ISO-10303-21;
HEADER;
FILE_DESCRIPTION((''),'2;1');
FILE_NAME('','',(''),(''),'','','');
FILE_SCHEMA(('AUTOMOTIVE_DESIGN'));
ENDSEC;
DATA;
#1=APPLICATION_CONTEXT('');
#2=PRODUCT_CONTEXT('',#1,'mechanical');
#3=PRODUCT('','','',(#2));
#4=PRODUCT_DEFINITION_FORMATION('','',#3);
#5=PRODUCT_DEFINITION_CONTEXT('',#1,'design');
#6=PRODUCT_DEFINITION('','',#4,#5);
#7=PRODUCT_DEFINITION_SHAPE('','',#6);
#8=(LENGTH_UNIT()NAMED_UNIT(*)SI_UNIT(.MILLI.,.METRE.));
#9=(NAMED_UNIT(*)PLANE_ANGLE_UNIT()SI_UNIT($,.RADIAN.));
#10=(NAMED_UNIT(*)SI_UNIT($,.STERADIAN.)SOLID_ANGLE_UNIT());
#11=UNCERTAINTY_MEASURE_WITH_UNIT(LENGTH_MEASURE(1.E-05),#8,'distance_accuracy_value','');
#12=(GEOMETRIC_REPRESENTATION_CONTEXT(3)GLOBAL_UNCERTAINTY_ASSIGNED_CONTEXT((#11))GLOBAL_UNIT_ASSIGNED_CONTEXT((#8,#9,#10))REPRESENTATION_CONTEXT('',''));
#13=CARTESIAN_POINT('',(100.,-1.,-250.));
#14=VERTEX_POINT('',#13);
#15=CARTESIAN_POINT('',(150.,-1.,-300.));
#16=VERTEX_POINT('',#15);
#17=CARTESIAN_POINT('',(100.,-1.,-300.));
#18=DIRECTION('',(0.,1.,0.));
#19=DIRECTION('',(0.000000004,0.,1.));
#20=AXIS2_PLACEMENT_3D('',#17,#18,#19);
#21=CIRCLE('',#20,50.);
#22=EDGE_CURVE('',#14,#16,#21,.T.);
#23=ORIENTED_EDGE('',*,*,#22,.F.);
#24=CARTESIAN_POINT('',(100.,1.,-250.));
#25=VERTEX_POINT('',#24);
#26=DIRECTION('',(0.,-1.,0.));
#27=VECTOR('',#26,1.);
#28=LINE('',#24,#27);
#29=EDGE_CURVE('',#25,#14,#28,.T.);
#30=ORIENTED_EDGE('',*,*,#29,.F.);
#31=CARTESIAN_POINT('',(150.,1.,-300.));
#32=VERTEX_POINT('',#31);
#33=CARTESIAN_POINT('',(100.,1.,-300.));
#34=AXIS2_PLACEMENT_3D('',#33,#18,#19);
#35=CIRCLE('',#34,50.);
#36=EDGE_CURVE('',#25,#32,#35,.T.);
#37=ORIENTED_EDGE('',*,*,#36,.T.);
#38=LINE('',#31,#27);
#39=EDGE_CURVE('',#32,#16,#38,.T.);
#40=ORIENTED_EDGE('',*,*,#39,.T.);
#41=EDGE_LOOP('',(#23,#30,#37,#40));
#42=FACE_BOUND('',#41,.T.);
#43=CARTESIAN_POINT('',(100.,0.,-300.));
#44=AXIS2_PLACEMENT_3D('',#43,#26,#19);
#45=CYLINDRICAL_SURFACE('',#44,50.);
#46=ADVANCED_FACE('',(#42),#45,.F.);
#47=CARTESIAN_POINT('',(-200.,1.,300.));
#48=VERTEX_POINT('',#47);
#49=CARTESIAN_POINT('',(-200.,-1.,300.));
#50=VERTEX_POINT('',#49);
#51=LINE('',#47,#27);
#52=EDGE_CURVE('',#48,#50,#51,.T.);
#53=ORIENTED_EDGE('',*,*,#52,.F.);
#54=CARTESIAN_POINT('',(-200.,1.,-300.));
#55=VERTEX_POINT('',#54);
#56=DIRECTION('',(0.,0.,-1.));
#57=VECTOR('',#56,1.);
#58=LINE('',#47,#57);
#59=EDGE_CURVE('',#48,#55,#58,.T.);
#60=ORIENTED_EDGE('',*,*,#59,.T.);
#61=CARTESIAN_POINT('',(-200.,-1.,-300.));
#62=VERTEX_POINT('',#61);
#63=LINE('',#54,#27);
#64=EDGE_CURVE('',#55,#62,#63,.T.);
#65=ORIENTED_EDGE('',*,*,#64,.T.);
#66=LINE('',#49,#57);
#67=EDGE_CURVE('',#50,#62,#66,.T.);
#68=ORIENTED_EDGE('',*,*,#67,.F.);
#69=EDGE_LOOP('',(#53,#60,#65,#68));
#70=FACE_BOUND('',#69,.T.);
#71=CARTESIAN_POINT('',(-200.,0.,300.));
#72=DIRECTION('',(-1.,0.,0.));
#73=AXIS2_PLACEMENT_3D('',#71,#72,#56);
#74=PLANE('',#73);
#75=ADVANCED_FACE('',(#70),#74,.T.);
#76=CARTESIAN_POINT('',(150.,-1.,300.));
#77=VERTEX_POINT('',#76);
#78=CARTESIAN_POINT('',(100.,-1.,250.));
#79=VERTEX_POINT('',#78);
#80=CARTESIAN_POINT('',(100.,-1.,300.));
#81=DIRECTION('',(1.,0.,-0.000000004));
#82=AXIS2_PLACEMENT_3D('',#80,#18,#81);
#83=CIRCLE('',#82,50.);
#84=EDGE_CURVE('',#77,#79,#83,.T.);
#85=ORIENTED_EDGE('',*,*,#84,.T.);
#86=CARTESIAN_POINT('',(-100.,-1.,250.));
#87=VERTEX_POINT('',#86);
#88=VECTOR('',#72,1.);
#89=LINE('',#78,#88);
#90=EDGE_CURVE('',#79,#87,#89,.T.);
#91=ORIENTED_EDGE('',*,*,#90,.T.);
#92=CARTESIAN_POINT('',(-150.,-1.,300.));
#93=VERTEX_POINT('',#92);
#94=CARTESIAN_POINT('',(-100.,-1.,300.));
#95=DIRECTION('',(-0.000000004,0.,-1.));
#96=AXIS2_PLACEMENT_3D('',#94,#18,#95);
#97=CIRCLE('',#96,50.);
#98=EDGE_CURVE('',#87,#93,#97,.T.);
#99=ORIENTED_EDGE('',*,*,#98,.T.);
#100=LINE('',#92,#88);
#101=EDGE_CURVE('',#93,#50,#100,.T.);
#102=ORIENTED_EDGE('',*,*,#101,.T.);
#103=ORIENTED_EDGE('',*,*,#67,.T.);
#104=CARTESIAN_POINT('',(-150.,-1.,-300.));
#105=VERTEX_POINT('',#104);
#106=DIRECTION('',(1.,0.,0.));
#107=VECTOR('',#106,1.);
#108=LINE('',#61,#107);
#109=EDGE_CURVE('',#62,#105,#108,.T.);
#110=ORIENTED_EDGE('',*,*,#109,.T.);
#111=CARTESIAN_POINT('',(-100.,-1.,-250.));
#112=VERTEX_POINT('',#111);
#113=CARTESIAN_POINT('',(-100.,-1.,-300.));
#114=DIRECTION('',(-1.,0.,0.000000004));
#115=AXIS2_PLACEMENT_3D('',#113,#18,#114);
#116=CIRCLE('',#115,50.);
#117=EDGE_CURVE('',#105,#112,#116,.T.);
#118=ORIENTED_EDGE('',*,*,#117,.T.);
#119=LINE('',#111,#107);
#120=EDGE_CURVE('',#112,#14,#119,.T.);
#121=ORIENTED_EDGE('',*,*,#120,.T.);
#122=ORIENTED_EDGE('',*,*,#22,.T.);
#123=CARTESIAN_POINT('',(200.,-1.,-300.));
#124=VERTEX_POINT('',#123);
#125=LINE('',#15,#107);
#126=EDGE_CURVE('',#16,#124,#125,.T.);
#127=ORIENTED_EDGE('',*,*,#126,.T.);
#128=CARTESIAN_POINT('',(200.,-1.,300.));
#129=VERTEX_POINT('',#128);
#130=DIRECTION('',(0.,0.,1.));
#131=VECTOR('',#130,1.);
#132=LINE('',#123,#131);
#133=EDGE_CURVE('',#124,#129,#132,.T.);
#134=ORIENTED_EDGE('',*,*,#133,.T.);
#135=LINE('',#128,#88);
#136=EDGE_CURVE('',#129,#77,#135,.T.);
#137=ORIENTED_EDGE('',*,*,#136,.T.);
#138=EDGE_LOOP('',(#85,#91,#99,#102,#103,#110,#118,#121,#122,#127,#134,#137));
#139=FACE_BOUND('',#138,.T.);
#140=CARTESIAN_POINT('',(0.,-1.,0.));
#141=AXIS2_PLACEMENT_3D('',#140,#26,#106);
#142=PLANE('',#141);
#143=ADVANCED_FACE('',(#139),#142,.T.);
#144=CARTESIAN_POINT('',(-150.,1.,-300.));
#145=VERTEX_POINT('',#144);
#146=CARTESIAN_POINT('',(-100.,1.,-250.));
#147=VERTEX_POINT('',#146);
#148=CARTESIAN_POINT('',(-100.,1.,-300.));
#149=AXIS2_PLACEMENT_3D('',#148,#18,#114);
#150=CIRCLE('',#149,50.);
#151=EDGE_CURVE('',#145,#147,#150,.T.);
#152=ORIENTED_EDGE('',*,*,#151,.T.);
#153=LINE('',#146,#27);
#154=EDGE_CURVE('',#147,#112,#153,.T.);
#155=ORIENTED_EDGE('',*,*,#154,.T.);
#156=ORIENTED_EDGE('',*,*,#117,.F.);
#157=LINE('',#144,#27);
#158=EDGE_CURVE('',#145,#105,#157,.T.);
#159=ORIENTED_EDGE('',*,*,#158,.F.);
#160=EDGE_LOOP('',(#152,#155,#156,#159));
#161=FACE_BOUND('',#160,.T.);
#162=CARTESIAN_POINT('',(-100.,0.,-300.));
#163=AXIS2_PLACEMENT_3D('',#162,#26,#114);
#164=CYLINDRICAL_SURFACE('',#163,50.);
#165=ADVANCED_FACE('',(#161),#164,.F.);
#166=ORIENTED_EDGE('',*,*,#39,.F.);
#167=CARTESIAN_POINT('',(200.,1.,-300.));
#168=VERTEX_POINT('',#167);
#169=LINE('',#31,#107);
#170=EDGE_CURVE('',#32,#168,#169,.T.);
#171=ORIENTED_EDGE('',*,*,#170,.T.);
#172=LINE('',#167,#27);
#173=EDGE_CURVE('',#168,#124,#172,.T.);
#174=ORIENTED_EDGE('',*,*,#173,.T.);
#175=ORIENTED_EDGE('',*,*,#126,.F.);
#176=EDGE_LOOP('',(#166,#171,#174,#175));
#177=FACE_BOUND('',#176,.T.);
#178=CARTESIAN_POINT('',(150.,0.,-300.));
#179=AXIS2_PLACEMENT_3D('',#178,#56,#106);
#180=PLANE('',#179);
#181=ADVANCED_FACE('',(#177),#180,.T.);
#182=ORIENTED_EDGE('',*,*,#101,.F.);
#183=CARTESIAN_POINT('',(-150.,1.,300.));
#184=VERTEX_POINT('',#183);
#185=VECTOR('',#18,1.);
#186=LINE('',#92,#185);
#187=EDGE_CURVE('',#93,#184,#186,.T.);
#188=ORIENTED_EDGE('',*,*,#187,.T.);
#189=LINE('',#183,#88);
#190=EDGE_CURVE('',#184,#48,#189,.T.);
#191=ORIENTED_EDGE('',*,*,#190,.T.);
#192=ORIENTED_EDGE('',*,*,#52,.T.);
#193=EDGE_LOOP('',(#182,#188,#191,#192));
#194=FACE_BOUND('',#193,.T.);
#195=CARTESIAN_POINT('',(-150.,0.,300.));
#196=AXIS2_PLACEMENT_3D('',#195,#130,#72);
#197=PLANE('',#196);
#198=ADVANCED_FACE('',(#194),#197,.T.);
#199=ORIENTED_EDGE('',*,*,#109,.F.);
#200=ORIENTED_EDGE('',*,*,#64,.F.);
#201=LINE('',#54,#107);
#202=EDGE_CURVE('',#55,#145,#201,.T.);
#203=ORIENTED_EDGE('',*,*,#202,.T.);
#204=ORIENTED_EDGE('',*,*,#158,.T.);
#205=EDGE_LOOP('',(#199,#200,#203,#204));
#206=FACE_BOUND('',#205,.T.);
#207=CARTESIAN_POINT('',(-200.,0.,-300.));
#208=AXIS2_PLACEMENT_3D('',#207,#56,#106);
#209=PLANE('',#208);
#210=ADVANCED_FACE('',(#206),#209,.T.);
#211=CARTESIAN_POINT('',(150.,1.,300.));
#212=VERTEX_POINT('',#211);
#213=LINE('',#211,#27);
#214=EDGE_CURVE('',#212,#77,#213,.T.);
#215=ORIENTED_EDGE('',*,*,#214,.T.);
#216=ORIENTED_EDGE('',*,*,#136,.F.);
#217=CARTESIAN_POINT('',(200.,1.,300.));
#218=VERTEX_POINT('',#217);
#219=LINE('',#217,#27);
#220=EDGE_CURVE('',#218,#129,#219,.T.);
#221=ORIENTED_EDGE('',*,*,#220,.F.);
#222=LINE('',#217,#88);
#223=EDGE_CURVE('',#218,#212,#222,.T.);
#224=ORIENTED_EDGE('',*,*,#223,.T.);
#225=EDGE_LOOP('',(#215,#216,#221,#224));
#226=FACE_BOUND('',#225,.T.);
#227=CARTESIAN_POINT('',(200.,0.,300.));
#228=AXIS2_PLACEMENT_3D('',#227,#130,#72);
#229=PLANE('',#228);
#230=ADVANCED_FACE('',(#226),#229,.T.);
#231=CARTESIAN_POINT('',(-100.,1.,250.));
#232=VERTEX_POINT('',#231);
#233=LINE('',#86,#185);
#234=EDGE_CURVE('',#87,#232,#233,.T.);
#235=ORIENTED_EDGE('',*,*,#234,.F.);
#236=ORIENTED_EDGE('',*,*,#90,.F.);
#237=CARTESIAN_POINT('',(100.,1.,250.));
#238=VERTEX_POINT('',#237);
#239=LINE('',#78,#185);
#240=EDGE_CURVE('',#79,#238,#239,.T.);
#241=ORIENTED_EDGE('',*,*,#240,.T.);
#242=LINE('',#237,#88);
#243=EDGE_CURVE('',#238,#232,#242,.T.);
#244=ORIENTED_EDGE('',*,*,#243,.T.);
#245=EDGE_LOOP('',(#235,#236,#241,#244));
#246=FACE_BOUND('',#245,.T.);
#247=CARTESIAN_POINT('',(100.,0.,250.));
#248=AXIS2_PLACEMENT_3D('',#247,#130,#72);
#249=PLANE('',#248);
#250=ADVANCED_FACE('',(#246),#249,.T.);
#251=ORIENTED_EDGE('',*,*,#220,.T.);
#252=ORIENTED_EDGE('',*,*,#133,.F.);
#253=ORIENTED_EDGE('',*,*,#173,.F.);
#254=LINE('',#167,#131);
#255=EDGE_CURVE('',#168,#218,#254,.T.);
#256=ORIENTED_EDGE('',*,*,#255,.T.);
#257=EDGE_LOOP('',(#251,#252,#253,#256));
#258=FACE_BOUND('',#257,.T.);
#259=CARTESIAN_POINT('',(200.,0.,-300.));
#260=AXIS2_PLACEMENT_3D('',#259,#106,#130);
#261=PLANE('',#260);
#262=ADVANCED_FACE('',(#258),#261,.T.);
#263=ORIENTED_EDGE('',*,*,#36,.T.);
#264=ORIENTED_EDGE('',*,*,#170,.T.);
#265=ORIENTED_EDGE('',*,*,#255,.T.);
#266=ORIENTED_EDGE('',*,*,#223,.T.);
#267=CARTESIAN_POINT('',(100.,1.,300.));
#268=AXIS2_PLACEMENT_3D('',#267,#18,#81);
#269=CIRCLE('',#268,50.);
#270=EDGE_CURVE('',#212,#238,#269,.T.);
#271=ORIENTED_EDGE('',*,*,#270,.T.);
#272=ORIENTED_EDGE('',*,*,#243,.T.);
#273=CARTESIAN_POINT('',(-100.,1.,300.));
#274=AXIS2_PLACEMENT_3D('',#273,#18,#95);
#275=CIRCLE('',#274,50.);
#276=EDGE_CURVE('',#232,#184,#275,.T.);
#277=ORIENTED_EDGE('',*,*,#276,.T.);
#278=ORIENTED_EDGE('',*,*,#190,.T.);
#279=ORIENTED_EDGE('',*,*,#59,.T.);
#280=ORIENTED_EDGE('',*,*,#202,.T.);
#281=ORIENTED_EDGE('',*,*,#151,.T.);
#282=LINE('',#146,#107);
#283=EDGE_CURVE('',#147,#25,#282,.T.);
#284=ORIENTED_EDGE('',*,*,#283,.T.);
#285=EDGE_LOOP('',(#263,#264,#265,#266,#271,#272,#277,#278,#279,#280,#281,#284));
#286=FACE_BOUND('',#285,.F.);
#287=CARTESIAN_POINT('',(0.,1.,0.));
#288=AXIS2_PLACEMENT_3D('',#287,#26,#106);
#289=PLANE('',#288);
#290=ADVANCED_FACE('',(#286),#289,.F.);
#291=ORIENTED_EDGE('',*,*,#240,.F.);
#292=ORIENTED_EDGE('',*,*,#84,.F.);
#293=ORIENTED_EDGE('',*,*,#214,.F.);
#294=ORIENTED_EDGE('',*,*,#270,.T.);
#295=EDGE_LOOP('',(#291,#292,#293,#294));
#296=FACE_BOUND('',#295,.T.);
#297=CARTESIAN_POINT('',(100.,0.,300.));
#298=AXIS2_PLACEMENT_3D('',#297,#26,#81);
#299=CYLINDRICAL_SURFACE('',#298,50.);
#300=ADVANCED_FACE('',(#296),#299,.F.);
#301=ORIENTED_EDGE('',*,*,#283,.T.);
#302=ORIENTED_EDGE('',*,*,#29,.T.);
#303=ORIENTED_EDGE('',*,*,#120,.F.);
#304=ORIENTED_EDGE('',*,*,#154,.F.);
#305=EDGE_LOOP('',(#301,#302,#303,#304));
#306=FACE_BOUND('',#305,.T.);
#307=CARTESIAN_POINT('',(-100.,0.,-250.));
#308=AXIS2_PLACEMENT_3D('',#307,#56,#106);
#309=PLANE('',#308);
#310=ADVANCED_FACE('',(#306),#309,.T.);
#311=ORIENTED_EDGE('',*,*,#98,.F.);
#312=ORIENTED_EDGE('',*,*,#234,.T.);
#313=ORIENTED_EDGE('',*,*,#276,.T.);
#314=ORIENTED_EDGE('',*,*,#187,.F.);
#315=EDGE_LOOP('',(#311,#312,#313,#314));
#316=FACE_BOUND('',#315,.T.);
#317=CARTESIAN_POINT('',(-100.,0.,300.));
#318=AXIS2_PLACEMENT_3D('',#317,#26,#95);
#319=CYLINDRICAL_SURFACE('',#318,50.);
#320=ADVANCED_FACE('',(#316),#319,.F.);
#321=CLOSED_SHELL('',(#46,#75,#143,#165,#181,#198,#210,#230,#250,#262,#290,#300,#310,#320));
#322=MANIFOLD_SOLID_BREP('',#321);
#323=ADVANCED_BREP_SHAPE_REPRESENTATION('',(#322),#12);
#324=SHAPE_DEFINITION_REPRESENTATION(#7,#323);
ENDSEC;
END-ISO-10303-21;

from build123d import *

# Parameters (mm, degrees)
F1_DEPTH = 1


with BuildPart() as f1:
    # F0 (on Front) → F1 (new body, symmetric)
    with BuildSketch(Plane.XZ):
        with BuildLine():
            Line((-150, 300), (-200, 300))
            Line((-200, 300), (-200, -300))
            Line((-200, -300), (-150, -300))
            ThreePointArc((-150, -300), (-135.355339, -264.644661), (-100, -250))
            Line((-100, -250), (100, -250))
            ThreePointArc((100, -250), (135.355339, -264.644661), (150, -300))
            Line((150, -300), (200, -300))
            Line((200, -300), (200, 300))
            Line((200, 300), (150, 300))
            ThreePointArc((150, 300), (135.355339, 264.644661), (100, 250))
            Line((100, 250), (-100, 250))
            ThreePointArc((-100, 250), (-135.355339, 264.644661), (-150, 300))
        make_face()
    extrude(amount=F1_DEPTH, both=True)


solid = f1.part
